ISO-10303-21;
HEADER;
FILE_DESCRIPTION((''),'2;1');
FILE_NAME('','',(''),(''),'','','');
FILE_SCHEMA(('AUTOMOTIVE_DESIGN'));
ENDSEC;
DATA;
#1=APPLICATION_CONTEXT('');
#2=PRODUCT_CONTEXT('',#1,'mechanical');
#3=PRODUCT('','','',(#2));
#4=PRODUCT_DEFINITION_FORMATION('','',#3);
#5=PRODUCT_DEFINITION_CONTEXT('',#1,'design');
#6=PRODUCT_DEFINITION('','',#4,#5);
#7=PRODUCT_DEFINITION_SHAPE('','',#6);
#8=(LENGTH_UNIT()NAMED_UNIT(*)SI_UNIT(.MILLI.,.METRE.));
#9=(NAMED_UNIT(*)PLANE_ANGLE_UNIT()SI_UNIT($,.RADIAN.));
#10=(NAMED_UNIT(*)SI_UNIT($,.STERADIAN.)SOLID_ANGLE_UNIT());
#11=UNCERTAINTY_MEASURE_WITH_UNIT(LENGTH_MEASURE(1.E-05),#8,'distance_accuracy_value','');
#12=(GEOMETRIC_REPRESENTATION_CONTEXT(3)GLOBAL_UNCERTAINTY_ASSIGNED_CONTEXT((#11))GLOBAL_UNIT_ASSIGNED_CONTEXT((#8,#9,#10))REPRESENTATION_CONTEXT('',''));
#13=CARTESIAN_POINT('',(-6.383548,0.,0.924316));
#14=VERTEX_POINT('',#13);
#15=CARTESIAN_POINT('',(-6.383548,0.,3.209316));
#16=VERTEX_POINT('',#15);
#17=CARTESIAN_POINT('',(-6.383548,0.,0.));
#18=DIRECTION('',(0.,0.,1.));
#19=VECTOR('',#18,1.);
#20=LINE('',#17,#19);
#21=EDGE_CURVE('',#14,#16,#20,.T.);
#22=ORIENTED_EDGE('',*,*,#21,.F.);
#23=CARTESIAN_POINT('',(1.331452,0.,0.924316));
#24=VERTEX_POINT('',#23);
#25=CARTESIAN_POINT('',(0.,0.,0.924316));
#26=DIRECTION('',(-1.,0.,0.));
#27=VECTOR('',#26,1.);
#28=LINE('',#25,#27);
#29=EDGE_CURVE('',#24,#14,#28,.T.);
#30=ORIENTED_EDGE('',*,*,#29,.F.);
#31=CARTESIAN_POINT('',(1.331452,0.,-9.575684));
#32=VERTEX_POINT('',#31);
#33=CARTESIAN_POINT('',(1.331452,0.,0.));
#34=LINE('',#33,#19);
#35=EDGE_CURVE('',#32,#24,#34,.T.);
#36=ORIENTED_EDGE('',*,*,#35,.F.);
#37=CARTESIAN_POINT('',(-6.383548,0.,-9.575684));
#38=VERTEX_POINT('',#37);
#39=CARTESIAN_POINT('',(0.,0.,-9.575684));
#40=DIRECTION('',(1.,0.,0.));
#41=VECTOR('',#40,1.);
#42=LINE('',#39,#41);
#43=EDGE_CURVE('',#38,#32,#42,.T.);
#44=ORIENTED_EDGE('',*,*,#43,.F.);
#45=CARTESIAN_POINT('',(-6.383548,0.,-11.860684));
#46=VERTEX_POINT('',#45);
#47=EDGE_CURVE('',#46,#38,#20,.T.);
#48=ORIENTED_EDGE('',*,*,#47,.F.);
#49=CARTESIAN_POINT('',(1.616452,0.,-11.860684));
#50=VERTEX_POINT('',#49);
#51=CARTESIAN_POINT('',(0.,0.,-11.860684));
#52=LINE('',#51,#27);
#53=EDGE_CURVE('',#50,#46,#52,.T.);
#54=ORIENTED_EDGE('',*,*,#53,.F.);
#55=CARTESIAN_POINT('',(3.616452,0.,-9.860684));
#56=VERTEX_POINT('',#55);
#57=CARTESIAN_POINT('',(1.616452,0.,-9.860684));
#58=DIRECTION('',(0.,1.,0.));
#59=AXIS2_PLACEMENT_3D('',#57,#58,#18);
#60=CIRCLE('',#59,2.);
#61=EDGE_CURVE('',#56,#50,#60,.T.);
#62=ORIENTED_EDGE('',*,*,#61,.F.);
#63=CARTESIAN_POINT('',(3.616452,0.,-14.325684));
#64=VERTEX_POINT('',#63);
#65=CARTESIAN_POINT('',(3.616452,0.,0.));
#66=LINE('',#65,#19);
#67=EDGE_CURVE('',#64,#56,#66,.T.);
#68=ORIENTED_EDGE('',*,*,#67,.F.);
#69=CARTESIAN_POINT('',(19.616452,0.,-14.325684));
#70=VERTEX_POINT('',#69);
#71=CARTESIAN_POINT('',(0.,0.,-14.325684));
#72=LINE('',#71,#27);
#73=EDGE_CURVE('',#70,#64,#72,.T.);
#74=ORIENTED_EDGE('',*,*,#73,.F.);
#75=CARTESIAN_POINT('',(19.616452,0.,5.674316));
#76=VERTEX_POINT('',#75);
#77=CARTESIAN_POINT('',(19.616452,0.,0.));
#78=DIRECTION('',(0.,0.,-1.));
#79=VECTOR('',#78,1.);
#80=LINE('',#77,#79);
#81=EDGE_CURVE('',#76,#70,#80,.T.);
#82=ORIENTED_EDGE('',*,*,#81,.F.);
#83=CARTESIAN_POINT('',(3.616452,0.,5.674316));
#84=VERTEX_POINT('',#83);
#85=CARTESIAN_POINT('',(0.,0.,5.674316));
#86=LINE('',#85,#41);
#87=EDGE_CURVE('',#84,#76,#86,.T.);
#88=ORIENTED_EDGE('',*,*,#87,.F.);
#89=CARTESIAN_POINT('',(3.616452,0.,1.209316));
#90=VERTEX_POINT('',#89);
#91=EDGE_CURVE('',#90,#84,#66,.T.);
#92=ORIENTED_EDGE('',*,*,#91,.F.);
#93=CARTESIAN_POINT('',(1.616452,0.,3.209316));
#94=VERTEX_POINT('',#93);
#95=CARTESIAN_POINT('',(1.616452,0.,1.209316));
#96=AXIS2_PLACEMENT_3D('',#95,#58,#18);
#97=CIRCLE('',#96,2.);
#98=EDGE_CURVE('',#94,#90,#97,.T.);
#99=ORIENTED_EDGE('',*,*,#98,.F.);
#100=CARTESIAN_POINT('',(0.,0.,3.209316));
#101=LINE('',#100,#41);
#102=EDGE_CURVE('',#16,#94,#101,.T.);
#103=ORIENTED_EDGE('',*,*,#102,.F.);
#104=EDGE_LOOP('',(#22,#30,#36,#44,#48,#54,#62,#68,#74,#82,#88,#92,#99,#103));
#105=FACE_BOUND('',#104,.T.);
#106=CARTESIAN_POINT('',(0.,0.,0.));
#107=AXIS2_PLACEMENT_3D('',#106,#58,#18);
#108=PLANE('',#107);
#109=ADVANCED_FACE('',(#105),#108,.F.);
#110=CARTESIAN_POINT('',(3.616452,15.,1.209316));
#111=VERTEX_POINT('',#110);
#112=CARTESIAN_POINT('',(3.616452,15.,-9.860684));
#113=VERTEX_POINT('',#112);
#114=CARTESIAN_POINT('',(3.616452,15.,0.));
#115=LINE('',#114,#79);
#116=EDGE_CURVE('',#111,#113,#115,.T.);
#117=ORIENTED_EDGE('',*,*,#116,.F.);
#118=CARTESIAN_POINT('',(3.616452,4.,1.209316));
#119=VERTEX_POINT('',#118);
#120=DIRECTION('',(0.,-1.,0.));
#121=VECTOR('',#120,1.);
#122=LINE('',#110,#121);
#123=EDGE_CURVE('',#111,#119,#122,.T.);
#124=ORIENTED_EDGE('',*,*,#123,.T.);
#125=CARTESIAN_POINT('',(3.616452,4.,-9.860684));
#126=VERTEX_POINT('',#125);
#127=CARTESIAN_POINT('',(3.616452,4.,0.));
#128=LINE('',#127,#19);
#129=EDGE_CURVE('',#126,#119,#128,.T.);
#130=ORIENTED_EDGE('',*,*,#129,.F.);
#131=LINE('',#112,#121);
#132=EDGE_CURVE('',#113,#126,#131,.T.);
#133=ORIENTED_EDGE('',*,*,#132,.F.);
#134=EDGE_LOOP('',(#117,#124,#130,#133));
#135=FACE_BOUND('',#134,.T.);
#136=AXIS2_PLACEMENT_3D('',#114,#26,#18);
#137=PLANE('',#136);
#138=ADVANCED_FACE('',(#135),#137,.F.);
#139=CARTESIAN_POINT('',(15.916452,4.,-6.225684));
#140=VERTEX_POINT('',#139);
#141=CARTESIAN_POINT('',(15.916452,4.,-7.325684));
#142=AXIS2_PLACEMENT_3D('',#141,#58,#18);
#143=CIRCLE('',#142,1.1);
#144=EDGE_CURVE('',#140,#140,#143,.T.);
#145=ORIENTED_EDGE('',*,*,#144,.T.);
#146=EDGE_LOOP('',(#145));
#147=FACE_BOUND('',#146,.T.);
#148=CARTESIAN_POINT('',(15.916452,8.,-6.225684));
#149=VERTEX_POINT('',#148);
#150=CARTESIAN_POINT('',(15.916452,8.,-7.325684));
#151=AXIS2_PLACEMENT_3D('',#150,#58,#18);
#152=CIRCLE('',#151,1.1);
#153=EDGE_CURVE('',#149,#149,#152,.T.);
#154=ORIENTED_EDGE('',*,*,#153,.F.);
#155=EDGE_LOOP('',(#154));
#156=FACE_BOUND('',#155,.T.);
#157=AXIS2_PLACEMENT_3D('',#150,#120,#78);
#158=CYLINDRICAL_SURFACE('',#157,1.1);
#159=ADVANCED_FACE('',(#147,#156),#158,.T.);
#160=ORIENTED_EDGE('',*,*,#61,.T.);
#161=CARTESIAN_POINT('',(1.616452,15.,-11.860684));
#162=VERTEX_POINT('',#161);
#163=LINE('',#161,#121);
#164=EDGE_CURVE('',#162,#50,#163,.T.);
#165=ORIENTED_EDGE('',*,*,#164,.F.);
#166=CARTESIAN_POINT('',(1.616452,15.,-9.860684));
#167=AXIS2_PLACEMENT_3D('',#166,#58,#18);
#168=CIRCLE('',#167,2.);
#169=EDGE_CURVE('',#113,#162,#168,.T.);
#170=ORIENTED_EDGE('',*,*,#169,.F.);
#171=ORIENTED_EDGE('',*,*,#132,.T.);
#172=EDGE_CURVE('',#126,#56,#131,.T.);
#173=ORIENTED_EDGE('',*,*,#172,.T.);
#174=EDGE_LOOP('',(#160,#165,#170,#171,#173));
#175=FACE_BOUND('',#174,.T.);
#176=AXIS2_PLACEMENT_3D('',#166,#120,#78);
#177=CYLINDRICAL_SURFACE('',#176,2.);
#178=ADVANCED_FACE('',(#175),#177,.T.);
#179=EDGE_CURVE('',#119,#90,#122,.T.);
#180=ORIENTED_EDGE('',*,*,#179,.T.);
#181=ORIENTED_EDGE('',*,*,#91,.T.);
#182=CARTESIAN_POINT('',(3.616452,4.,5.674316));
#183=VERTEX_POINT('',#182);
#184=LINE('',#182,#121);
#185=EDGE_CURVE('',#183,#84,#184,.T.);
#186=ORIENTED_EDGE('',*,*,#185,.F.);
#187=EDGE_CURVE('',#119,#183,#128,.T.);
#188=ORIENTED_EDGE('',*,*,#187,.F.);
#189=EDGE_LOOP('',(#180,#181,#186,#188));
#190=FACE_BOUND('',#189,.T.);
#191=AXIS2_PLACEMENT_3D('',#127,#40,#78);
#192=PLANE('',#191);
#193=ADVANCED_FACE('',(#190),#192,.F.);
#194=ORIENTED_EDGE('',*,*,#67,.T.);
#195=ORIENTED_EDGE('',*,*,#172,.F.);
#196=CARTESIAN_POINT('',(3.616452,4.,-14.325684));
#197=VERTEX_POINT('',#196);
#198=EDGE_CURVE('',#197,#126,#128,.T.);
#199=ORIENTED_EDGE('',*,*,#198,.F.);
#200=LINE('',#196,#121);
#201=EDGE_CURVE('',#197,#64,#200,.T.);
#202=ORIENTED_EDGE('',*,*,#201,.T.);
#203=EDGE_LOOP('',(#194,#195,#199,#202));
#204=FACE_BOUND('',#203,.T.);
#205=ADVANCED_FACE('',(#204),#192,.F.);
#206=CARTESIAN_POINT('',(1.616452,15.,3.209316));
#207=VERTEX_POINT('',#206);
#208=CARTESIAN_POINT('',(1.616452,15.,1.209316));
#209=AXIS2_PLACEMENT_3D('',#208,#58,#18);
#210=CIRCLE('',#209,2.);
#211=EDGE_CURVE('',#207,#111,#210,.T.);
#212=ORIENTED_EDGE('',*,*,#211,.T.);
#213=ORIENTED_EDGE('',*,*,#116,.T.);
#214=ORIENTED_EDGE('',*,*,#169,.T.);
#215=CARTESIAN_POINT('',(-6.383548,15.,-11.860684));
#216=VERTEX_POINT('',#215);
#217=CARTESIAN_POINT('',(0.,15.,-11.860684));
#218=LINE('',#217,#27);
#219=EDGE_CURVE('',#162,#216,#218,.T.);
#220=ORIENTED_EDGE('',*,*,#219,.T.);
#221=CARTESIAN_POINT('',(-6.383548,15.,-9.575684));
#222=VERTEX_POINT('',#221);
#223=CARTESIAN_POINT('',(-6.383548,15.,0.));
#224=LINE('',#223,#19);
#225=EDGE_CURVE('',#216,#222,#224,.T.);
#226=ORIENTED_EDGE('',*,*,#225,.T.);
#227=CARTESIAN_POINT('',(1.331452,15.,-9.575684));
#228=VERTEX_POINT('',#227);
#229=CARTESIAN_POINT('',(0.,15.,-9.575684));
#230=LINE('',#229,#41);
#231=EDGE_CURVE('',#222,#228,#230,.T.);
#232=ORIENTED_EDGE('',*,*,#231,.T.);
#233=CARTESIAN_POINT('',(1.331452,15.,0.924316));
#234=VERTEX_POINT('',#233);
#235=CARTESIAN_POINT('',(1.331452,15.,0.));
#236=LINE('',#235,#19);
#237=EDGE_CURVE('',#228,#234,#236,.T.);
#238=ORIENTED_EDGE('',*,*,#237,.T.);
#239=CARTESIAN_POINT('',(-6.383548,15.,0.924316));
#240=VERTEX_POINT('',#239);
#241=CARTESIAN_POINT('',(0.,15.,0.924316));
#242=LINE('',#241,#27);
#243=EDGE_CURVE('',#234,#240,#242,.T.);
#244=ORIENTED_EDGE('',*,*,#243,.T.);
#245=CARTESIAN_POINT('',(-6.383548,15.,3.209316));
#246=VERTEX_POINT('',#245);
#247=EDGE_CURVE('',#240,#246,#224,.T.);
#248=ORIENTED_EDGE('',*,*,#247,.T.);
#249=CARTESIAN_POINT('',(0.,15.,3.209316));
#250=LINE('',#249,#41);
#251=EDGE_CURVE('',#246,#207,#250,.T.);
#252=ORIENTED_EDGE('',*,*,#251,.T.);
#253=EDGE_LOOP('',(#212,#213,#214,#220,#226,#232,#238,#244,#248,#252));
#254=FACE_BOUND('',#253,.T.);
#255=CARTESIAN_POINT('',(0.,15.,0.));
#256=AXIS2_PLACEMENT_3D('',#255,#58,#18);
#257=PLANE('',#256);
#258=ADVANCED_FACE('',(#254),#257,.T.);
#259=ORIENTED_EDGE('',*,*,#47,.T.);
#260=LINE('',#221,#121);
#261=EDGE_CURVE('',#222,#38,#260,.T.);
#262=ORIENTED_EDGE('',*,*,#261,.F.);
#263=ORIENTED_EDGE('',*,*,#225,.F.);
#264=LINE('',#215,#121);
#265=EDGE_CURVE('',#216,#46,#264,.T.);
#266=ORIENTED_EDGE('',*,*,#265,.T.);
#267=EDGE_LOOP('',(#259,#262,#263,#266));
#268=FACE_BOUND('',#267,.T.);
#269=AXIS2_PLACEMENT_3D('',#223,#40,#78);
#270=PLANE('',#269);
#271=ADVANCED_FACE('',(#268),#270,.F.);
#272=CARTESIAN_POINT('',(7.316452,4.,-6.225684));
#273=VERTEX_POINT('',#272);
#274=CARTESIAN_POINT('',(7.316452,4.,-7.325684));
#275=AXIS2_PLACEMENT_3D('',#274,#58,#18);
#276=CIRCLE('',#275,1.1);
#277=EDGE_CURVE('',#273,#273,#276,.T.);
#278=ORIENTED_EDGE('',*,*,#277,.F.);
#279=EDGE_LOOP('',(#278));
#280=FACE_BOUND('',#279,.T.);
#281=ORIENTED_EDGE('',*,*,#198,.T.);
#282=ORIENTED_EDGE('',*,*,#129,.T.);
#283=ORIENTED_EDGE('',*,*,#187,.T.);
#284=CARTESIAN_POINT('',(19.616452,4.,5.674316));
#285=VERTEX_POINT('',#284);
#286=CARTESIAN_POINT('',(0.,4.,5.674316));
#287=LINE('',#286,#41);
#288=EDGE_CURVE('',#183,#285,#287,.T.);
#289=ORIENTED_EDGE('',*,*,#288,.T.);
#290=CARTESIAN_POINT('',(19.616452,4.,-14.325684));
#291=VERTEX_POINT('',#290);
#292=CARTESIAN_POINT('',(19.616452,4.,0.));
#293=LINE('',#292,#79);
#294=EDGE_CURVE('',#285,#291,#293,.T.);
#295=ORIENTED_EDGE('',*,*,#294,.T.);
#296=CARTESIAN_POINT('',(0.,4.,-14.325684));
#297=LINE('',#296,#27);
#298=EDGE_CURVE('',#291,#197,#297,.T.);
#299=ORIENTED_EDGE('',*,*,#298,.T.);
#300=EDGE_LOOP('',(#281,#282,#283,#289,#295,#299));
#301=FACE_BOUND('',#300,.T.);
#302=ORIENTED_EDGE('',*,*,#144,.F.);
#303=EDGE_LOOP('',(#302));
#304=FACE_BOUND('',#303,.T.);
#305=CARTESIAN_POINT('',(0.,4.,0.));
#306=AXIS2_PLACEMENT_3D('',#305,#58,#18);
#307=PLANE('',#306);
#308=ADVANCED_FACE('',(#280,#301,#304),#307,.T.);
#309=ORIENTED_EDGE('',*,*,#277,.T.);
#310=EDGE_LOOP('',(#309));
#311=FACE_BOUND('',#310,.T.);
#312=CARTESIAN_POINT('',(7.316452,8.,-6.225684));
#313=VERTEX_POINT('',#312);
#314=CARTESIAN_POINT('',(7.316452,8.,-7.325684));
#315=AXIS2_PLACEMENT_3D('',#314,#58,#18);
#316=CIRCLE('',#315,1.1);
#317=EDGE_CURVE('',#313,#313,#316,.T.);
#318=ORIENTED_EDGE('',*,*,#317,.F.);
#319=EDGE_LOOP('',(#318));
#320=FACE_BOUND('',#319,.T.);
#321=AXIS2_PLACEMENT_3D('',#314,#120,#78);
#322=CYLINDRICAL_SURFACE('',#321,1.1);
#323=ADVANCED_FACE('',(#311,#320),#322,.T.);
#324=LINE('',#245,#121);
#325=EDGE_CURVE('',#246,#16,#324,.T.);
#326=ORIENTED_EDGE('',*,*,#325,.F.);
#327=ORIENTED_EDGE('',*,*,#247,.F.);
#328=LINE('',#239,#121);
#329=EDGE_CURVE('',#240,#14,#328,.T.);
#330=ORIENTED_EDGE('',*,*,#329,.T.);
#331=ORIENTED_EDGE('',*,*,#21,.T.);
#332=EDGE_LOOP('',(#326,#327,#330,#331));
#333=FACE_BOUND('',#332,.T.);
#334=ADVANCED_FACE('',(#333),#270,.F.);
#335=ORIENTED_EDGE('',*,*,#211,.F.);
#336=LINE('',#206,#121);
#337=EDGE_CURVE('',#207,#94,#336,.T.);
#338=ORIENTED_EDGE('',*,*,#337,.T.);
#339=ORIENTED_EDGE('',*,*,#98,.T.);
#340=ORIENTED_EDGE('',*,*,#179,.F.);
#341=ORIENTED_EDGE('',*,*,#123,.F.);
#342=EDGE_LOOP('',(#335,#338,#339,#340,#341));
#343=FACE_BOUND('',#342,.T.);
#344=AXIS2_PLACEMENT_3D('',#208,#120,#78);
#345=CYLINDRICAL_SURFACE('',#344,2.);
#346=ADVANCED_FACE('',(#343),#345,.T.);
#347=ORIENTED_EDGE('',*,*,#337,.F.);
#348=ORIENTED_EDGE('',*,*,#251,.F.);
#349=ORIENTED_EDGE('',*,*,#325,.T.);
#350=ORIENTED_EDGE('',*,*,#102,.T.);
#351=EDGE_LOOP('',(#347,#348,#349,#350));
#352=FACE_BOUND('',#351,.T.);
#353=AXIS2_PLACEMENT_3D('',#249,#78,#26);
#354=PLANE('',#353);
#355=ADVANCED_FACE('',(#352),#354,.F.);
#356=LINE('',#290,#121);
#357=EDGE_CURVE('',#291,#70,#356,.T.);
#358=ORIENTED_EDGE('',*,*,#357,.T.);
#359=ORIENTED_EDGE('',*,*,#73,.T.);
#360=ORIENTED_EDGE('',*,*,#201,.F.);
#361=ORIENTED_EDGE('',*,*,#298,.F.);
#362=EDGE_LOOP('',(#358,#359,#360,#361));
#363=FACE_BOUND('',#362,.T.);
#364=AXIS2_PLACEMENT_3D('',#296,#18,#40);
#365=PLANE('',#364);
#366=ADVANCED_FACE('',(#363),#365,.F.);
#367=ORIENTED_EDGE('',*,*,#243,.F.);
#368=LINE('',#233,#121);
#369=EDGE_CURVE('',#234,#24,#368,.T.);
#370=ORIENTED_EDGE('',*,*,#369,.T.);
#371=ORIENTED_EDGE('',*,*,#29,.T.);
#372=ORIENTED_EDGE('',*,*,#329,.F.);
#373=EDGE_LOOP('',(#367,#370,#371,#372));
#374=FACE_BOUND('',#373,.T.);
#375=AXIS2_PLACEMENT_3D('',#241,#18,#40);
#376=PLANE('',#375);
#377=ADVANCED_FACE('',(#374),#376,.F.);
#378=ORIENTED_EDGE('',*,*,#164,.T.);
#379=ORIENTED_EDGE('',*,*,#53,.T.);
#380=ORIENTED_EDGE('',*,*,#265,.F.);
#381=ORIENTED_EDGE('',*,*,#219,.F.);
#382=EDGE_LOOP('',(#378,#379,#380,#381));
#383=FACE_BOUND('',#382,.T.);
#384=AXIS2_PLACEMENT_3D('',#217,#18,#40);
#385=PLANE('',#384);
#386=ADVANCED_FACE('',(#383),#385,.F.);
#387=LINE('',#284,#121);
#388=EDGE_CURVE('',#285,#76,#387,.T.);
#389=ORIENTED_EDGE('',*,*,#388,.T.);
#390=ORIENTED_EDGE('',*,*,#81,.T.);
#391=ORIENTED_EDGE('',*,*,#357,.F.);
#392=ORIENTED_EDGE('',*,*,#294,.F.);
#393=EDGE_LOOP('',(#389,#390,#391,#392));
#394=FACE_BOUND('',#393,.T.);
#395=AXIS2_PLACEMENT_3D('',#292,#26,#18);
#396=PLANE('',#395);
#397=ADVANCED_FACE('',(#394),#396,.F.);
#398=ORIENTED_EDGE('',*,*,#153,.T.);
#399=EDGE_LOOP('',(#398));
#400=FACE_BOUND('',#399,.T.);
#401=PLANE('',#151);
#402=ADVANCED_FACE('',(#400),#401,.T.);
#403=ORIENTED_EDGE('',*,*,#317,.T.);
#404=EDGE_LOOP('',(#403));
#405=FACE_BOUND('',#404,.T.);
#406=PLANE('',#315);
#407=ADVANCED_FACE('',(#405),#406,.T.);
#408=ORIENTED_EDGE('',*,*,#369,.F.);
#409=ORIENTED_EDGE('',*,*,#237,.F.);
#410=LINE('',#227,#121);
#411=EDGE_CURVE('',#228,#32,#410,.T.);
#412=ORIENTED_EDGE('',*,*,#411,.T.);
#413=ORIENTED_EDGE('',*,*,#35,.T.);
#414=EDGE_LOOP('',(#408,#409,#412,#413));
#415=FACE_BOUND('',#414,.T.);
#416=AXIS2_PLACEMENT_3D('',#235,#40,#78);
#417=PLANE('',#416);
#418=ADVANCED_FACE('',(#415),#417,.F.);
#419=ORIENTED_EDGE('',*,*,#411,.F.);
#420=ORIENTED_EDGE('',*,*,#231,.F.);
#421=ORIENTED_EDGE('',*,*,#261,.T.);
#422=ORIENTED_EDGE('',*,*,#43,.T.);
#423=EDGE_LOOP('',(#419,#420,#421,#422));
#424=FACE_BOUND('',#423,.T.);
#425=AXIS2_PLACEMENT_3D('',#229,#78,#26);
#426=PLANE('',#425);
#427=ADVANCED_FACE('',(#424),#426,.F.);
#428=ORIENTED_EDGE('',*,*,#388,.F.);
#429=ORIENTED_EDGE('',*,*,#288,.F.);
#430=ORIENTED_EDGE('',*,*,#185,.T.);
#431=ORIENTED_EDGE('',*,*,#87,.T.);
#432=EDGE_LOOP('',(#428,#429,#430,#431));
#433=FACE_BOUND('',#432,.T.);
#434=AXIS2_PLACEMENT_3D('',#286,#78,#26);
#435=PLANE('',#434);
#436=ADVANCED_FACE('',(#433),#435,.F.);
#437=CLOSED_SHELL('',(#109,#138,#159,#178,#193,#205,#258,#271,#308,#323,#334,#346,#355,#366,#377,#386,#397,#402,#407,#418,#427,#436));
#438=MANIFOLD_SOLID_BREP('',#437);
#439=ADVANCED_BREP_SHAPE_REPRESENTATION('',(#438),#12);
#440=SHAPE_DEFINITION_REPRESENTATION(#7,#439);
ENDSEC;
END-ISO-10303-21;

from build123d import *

# Parameters (mm, degrees)
EXTRUDE_3_DEPTH = 15
EXTRUDE_4_DEPTH = 4
SKETCH_8_R      = 1.1
EXTRUDE_5_DEPTH = 4


with BuildPart() as part:
    # 草图3 → 凸台-拉伸3 (new body)
    with BuildSketch(Plane(origin=(0, 0, 0), x_dir=(1, 0, 0), z_dir=(0, 1, 0))):
        with BuildLine():
            Line((1.616451797, 11.860683611), (-6.383548203, 11.860683611))
            Line((-6.383548203, 11.860683611), (-6.383548203, 9.575683611))
            Line((-6.383548203, 9.575683611), (1.331451797, 9.575683611))
            Line((1.331451797, 9.575683611), (1.331451797, -0.924316389))
            Line((1.331451797, -0.924316389), (-6.383548203, -0.924316389))
            Line((-6.383548203, -0.924316389), (-6.383548203, -3.209316389))
            Line((-6.383548203, -3.209316389), (1.616451797, -3.209316389))
            ThreePointArc((1.616451797, -3.209316389), (3.030665359, -2.623529952), (3.616451797, -1.209316389))
            Line((3.616451797, -1.209316389), (3.616451797, 9.860683611))
            ThreePointArc((3.616451797, 9.860683611), (3.030665359, 11.274897173), (1.616451797, 11.860683611))
        make_face()
    extrude(amount=EXTRUDE_3_DEPTH)

    # 草图3<4> → 凸台-拉伸4 (add)
    with BuildSketch(Plane(origin=(0, 0, 0), x_dir=(1, 0, 0), z_dir=(0, 1, 0))):
        Polygon((3.616451797, 14.325683611), (3.616451797, 9.860683611), (3.616451797, -1.209316389), (3.616451797, -5.674316389), (19.616451797, -5.674316389), (19.616451797, 14.325683611), align=None)
    extrude(amount=EXTRUDE_4_DEPTH)

    # 草图8 → 凸台-拉伸5 (add)
    with BuildSketch(Plane(origin=(0, 4, 0), x_dir=(1, 0, 0), z_dir=(0, 1, 0))):
        with Locations((7.316451797, 7.325683611)):
            Circle(SKETCH_8_R)
        with Locations((15.916451797, 7.325683611)):
            Circle(SKETCH_8_R)
    extrude(amount=EXTRUDE_5_DEPTH)


solid = part.part
